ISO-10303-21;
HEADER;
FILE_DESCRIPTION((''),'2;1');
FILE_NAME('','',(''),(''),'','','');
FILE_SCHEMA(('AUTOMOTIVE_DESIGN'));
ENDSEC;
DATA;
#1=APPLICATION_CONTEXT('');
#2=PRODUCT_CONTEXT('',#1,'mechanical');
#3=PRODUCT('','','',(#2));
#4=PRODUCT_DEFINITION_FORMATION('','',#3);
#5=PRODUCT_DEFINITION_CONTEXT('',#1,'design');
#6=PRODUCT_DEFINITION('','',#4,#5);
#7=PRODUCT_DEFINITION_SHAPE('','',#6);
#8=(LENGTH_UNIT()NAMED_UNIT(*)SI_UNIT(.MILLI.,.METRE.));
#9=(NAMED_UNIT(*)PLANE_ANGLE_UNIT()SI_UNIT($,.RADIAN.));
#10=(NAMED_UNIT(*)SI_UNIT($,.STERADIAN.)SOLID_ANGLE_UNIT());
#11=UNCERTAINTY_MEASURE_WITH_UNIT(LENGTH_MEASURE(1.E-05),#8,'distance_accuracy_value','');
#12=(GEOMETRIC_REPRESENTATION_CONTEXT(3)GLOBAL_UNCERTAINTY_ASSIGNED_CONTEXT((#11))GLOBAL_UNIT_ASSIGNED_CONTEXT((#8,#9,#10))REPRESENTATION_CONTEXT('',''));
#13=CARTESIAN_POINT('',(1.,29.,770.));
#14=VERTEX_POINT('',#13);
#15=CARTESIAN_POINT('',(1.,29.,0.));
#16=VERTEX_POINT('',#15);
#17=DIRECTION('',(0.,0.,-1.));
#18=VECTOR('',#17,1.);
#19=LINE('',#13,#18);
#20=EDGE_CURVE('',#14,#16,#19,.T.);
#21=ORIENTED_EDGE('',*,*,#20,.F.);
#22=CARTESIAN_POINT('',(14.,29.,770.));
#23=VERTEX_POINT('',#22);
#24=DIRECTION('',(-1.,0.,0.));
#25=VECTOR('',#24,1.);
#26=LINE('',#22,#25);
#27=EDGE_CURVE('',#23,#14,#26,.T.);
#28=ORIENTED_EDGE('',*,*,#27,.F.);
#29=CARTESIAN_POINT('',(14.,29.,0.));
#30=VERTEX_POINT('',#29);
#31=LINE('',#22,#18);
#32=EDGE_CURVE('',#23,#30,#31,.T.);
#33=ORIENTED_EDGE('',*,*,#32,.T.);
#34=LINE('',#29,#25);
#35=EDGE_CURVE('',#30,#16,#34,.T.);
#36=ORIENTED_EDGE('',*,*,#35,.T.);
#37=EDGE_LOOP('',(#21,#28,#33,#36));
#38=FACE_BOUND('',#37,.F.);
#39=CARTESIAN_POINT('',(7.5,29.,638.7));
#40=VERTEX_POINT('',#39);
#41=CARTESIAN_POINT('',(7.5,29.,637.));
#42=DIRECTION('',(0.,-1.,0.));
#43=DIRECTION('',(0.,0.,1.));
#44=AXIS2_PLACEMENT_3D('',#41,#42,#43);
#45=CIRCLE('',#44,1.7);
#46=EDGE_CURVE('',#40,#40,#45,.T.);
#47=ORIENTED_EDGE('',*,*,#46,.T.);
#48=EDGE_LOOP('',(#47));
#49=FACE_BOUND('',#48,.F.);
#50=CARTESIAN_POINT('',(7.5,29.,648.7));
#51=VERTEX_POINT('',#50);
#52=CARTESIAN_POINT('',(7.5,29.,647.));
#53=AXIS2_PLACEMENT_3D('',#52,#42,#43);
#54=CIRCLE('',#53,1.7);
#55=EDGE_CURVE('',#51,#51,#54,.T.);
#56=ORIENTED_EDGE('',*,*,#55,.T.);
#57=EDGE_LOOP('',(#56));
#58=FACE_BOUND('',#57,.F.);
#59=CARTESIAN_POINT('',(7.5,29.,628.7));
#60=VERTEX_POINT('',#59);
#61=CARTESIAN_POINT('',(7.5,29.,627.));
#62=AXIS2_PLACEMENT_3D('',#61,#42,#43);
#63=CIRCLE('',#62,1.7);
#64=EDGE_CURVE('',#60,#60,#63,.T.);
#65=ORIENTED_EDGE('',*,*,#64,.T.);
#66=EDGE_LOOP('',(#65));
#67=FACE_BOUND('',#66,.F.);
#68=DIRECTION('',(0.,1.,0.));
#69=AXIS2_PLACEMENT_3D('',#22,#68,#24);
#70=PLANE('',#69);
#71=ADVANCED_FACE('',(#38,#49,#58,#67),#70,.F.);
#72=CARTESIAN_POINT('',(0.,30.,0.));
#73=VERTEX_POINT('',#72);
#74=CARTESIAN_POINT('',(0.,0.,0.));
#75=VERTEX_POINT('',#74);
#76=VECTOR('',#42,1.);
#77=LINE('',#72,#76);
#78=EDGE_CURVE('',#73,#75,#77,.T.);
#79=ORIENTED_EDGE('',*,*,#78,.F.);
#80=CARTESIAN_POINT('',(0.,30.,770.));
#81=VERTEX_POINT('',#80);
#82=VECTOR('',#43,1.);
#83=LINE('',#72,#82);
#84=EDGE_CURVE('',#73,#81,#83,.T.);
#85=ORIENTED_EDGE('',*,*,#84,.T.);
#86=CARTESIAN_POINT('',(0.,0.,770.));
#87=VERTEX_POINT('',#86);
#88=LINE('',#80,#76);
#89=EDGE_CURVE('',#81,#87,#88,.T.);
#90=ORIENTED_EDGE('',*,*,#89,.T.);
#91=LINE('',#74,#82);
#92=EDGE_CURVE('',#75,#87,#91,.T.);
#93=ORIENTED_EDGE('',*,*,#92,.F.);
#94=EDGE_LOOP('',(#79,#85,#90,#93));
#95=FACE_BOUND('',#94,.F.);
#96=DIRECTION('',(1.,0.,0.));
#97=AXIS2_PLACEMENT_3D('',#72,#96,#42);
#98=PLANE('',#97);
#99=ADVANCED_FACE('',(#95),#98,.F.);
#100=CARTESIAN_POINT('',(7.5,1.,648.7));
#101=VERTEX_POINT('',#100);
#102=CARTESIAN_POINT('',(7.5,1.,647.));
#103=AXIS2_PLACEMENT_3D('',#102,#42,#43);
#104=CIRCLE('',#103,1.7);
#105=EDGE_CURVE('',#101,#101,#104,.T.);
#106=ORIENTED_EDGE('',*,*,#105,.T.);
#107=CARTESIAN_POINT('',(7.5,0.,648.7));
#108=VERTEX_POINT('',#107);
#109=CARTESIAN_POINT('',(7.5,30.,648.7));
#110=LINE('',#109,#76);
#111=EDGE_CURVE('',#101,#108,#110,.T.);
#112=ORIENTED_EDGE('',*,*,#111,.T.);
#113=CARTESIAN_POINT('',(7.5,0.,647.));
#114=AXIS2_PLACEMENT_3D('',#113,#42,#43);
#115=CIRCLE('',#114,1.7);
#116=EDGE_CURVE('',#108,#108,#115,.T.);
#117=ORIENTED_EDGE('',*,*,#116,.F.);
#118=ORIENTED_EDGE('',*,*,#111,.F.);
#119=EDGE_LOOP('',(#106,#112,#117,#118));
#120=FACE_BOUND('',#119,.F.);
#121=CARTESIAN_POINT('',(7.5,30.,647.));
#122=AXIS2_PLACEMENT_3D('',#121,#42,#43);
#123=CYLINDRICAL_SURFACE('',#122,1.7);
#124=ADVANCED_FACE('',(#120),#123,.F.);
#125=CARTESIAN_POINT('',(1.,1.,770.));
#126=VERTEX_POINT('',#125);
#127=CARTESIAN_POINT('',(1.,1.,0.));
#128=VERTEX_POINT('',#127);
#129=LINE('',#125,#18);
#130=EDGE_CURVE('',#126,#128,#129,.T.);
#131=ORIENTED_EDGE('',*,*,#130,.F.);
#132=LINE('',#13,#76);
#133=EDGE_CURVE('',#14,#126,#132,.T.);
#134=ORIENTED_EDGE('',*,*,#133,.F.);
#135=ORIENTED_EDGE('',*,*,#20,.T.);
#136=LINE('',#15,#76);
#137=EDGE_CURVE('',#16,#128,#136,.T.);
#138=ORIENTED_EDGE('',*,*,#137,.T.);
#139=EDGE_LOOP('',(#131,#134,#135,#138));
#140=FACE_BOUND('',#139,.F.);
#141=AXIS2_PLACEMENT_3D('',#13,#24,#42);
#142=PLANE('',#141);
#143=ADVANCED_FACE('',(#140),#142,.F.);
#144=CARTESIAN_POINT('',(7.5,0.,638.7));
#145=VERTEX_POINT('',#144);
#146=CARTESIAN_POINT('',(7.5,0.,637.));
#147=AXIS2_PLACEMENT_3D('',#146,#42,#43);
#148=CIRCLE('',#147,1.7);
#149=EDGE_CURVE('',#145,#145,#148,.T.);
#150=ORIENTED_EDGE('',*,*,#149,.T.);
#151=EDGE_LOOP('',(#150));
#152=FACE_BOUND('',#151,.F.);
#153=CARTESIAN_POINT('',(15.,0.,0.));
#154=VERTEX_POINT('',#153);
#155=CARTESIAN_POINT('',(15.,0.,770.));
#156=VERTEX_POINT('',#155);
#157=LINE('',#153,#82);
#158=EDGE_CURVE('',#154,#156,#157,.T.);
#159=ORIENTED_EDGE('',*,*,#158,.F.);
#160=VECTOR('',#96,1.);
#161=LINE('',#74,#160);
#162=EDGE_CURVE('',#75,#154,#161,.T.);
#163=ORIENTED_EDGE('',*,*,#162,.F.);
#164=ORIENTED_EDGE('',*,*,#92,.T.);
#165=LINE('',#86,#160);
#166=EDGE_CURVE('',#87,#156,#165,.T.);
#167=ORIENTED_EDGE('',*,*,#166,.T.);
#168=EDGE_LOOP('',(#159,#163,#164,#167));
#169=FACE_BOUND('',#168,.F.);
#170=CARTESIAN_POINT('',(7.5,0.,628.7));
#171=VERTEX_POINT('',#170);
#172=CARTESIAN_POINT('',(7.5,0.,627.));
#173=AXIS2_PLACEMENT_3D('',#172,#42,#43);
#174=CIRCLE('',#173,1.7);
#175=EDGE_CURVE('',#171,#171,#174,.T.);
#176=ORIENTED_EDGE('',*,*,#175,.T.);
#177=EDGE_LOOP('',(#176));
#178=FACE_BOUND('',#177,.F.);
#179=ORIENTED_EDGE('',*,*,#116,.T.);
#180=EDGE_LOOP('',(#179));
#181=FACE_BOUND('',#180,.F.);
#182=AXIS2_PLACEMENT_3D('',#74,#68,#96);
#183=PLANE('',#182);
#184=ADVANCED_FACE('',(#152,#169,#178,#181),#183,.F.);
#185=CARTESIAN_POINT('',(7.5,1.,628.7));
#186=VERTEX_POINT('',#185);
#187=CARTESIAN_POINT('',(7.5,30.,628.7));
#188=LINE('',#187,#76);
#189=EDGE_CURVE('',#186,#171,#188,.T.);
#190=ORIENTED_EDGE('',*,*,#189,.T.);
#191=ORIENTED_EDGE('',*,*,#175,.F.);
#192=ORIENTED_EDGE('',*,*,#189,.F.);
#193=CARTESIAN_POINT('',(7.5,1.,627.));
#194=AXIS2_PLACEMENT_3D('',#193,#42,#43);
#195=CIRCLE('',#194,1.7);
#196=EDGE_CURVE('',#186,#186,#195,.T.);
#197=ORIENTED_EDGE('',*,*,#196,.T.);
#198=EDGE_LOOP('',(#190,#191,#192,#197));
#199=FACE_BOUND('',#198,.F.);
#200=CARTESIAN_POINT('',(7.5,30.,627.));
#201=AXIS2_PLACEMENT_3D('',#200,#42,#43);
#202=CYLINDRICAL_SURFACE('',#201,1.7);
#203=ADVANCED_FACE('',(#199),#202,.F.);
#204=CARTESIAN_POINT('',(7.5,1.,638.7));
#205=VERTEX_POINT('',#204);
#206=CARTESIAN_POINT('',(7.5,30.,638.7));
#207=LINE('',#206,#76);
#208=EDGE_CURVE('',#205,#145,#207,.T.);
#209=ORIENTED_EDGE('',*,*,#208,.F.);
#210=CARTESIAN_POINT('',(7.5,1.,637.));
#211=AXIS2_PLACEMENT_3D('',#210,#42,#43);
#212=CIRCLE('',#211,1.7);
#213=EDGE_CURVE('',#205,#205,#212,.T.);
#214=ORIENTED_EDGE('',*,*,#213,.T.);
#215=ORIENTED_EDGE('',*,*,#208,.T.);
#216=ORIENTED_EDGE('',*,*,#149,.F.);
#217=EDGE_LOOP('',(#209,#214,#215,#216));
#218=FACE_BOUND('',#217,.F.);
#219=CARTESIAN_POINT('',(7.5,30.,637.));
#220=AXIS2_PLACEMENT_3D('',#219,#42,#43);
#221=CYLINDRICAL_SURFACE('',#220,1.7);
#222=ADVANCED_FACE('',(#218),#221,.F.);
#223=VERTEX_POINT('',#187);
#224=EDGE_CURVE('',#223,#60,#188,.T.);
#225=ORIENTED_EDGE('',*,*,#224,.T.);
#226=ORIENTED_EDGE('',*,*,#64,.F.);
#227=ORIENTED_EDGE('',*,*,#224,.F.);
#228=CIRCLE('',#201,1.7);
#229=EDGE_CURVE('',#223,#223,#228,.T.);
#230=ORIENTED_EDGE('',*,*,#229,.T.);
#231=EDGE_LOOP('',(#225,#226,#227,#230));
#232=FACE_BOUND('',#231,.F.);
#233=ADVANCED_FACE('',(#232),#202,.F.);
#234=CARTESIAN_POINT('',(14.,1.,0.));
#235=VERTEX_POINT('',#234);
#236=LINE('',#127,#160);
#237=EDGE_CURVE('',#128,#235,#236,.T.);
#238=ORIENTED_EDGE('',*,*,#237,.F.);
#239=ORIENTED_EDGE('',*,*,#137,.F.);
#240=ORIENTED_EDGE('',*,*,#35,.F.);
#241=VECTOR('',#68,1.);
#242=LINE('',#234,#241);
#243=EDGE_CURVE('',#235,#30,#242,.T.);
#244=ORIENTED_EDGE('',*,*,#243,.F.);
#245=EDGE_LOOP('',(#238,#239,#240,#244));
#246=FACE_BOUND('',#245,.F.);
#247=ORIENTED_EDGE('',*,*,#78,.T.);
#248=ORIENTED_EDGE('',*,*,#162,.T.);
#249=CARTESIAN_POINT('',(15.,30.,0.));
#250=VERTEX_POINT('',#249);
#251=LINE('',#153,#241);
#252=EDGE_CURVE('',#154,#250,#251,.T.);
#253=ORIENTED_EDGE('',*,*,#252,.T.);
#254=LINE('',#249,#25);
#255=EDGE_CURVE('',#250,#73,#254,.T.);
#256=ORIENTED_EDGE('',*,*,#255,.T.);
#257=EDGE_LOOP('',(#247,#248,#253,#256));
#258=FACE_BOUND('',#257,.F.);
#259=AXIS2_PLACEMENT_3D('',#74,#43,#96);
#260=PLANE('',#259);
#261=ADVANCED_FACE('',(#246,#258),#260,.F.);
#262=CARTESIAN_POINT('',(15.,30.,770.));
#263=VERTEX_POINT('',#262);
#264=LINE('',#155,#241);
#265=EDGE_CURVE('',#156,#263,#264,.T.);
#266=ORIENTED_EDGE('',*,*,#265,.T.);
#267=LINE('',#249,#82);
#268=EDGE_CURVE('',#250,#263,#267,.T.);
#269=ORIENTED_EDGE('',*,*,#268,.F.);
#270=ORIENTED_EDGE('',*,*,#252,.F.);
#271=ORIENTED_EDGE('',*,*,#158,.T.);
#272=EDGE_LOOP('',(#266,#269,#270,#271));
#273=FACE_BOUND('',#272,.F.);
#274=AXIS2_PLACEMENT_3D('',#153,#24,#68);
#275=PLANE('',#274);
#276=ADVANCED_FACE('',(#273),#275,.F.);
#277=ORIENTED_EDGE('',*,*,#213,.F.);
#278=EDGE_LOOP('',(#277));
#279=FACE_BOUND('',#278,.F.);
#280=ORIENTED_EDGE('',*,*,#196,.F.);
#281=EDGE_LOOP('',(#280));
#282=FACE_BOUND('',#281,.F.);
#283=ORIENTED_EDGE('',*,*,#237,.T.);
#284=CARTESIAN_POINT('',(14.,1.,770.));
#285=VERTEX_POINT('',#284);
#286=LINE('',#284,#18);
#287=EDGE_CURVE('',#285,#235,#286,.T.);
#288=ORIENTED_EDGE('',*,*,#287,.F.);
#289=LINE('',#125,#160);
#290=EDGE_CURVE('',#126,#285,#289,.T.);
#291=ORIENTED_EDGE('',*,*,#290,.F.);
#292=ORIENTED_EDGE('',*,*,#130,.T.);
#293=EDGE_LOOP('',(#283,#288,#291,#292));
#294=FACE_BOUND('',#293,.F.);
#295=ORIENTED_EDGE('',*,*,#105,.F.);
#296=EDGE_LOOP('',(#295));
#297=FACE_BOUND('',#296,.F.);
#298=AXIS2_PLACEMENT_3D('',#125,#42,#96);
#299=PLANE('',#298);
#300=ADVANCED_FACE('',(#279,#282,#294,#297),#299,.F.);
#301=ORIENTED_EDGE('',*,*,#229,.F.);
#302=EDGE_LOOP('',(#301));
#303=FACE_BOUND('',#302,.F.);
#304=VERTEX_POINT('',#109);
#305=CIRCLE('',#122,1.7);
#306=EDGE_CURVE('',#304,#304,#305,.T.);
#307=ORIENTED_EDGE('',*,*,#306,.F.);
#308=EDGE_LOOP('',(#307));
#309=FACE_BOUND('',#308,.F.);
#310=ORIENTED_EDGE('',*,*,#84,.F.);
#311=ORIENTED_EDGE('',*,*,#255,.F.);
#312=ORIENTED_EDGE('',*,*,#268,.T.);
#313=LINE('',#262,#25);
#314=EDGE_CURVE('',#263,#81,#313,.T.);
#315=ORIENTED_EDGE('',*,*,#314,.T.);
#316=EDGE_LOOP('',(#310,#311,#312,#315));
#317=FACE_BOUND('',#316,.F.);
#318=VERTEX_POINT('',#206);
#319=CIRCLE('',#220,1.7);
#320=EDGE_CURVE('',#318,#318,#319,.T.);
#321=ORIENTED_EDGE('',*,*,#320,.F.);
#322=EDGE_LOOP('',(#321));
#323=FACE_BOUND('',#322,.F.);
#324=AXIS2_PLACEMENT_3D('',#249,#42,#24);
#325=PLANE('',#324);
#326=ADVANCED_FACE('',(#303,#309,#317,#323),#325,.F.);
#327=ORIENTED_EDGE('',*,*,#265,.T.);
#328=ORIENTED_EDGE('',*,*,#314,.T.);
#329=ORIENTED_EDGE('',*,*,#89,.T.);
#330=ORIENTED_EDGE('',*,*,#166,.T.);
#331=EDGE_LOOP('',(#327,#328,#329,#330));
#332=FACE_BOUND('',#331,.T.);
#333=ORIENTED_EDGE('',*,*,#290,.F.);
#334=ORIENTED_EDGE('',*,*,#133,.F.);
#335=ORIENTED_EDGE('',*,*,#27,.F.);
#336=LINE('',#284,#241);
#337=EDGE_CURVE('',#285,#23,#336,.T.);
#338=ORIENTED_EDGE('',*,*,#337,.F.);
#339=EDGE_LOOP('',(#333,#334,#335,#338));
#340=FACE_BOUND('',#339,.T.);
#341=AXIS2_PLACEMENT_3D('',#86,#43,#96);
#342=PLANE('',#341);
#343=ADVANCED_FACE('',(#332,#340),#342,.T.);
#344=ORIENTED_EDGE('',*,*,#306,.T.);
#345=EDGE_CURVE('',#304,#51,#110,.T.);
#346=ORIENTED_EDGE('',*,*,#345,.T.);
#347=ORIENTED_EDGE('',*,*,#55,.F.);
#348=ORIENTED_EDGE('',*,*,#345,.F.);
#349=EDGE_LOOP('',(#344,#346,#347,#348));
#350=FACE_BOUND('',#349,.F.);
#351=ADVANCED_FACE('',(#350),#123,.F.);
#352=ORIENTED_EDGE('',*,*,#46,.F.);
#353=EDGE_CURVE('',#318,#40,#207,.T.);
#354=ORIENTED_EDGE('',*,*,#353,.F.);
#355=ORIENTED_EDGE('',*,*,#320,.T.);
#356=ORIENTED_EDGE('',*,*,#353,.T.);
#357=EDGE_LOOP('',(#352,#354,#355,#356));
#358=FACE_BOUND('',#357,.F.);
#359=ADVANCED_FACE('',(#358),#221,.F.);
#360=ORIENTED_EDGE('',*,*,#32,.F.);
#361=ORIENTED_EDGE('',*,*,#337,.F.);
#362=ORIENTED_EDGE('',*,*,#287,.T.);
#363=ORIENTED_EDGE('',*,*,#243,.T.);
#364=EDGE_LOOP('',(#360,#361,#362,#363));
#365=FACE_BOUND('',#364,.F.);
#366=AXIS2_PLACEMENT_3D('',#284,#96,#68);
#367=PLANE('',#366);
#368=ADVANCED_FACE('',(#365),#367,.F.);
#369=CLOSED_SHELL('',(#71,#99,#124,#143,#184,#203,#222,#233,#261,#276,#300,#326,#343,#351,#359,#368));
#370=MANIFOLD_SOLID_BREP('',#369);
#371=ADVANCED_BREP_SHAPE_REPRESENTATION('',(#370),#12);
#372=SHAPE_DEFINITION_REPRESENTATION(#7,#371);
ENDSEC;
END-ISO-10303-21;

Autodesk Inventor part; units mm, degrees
ref_plane "YZ Plane" through (0, 0, 0) normal (1, 0, 0) x (0, 1, 0)
ref_plane "XZ Plane" through (0, 0, 0) normal (0, 1, 0) x (-1, 0, 0)
ref_plane "XY Plane" through (0, 0, 0) normal (0, 0, 1) x (1, 0, 0)
sketch "スケッチ1" plane through (0, 0, 0) normal (0, 0, 1) x (1, 0, 0)
  point P0 (0, 0)
sketch "スケッチ2" plane through (0, 0, 0) normal (0, 0, 1) x (1, 0, 0)
  line L0 (0, 0) -> (15, 0)
  line L1 (15, 0) -> (15, 30)
  line L2 (15, 30) -> (0, 30)
  line L3 (0, 30) -> (0, 0)
  dimension "d0" = 15
  dimension "d1" = 30
extrude "押し出し1" add sketch "スケッチ2" along normal blind 770
sketch "スケッチ3" plane through (0, 0, 770) normal (0, 0, 1) x (1, 0, 0)
  line L0 (1, 1) -> (14, 1)
  line L1 (14, 1) -> (14, 29)
  line L2 (14, 29) -> (1, 29)
  line L3 (1, 29) -> (1, 1)
  line L4 (0, 30) -> (0, 0) projected
  line L5 (0, 0) -> (15, 0) projected
  dimension "d4" = 13
  dimension "d5" = 28
  dimension "d6" = 1
  dimension "d7" = 1
extrude "押し出し2" cut sketch "スケッチ3" against normal blind 770
sketch "スケッチ4" plane through (0, 30, 770) normal (0, 1, 0) x (1, 0, 0)
  circle A0 centre (7.5, 123) radius 1.65
  line L0 (0, 770) -> (0, 0) projected
  line L1 (15, 0) -> (0, 0) projected
  circle A1 centre (7.5, 133) radius 1.65
  circle A2 centre (7.5, 143) radius 1.65
  dimension "d10" = 3.3
  dimension "d11" = 7.5
  dimension "d12" = 123
  dimension "d13" = 3.3
  dimension "d14" = 3.3
  dimension "d15" = 10
  dimension "d16" = 7.5
  dimension "d17" = 10
  dimension "d18" = 7.5
hole "穴1" at (7.5, 30, 647) at (7.5, 30, 637) at (7.5, 30, 627) direction (0, -1, 0) diameter 3.4 depth 30
equation "\"BendRadius\" = Thickness"
equation "\"BendReliefWidth\" = Thickness"
equation "\"BendReliefDepth\" = 0.5 * Thickness"
equation "\"CornerReliefSize\" = 4 * Thickness"
equation "\"MinimumRemnant\" = 2 * Thickness"
equation "\"TransitionRadius\" = BendRadius"
equation "\"JacobiRadiusSize\" = BendRadius"
equation "\"GapSize\" = Thickness"
equation "\"Thickness\" = 3.048"
properties part number "オムニ_角柱1_N"
